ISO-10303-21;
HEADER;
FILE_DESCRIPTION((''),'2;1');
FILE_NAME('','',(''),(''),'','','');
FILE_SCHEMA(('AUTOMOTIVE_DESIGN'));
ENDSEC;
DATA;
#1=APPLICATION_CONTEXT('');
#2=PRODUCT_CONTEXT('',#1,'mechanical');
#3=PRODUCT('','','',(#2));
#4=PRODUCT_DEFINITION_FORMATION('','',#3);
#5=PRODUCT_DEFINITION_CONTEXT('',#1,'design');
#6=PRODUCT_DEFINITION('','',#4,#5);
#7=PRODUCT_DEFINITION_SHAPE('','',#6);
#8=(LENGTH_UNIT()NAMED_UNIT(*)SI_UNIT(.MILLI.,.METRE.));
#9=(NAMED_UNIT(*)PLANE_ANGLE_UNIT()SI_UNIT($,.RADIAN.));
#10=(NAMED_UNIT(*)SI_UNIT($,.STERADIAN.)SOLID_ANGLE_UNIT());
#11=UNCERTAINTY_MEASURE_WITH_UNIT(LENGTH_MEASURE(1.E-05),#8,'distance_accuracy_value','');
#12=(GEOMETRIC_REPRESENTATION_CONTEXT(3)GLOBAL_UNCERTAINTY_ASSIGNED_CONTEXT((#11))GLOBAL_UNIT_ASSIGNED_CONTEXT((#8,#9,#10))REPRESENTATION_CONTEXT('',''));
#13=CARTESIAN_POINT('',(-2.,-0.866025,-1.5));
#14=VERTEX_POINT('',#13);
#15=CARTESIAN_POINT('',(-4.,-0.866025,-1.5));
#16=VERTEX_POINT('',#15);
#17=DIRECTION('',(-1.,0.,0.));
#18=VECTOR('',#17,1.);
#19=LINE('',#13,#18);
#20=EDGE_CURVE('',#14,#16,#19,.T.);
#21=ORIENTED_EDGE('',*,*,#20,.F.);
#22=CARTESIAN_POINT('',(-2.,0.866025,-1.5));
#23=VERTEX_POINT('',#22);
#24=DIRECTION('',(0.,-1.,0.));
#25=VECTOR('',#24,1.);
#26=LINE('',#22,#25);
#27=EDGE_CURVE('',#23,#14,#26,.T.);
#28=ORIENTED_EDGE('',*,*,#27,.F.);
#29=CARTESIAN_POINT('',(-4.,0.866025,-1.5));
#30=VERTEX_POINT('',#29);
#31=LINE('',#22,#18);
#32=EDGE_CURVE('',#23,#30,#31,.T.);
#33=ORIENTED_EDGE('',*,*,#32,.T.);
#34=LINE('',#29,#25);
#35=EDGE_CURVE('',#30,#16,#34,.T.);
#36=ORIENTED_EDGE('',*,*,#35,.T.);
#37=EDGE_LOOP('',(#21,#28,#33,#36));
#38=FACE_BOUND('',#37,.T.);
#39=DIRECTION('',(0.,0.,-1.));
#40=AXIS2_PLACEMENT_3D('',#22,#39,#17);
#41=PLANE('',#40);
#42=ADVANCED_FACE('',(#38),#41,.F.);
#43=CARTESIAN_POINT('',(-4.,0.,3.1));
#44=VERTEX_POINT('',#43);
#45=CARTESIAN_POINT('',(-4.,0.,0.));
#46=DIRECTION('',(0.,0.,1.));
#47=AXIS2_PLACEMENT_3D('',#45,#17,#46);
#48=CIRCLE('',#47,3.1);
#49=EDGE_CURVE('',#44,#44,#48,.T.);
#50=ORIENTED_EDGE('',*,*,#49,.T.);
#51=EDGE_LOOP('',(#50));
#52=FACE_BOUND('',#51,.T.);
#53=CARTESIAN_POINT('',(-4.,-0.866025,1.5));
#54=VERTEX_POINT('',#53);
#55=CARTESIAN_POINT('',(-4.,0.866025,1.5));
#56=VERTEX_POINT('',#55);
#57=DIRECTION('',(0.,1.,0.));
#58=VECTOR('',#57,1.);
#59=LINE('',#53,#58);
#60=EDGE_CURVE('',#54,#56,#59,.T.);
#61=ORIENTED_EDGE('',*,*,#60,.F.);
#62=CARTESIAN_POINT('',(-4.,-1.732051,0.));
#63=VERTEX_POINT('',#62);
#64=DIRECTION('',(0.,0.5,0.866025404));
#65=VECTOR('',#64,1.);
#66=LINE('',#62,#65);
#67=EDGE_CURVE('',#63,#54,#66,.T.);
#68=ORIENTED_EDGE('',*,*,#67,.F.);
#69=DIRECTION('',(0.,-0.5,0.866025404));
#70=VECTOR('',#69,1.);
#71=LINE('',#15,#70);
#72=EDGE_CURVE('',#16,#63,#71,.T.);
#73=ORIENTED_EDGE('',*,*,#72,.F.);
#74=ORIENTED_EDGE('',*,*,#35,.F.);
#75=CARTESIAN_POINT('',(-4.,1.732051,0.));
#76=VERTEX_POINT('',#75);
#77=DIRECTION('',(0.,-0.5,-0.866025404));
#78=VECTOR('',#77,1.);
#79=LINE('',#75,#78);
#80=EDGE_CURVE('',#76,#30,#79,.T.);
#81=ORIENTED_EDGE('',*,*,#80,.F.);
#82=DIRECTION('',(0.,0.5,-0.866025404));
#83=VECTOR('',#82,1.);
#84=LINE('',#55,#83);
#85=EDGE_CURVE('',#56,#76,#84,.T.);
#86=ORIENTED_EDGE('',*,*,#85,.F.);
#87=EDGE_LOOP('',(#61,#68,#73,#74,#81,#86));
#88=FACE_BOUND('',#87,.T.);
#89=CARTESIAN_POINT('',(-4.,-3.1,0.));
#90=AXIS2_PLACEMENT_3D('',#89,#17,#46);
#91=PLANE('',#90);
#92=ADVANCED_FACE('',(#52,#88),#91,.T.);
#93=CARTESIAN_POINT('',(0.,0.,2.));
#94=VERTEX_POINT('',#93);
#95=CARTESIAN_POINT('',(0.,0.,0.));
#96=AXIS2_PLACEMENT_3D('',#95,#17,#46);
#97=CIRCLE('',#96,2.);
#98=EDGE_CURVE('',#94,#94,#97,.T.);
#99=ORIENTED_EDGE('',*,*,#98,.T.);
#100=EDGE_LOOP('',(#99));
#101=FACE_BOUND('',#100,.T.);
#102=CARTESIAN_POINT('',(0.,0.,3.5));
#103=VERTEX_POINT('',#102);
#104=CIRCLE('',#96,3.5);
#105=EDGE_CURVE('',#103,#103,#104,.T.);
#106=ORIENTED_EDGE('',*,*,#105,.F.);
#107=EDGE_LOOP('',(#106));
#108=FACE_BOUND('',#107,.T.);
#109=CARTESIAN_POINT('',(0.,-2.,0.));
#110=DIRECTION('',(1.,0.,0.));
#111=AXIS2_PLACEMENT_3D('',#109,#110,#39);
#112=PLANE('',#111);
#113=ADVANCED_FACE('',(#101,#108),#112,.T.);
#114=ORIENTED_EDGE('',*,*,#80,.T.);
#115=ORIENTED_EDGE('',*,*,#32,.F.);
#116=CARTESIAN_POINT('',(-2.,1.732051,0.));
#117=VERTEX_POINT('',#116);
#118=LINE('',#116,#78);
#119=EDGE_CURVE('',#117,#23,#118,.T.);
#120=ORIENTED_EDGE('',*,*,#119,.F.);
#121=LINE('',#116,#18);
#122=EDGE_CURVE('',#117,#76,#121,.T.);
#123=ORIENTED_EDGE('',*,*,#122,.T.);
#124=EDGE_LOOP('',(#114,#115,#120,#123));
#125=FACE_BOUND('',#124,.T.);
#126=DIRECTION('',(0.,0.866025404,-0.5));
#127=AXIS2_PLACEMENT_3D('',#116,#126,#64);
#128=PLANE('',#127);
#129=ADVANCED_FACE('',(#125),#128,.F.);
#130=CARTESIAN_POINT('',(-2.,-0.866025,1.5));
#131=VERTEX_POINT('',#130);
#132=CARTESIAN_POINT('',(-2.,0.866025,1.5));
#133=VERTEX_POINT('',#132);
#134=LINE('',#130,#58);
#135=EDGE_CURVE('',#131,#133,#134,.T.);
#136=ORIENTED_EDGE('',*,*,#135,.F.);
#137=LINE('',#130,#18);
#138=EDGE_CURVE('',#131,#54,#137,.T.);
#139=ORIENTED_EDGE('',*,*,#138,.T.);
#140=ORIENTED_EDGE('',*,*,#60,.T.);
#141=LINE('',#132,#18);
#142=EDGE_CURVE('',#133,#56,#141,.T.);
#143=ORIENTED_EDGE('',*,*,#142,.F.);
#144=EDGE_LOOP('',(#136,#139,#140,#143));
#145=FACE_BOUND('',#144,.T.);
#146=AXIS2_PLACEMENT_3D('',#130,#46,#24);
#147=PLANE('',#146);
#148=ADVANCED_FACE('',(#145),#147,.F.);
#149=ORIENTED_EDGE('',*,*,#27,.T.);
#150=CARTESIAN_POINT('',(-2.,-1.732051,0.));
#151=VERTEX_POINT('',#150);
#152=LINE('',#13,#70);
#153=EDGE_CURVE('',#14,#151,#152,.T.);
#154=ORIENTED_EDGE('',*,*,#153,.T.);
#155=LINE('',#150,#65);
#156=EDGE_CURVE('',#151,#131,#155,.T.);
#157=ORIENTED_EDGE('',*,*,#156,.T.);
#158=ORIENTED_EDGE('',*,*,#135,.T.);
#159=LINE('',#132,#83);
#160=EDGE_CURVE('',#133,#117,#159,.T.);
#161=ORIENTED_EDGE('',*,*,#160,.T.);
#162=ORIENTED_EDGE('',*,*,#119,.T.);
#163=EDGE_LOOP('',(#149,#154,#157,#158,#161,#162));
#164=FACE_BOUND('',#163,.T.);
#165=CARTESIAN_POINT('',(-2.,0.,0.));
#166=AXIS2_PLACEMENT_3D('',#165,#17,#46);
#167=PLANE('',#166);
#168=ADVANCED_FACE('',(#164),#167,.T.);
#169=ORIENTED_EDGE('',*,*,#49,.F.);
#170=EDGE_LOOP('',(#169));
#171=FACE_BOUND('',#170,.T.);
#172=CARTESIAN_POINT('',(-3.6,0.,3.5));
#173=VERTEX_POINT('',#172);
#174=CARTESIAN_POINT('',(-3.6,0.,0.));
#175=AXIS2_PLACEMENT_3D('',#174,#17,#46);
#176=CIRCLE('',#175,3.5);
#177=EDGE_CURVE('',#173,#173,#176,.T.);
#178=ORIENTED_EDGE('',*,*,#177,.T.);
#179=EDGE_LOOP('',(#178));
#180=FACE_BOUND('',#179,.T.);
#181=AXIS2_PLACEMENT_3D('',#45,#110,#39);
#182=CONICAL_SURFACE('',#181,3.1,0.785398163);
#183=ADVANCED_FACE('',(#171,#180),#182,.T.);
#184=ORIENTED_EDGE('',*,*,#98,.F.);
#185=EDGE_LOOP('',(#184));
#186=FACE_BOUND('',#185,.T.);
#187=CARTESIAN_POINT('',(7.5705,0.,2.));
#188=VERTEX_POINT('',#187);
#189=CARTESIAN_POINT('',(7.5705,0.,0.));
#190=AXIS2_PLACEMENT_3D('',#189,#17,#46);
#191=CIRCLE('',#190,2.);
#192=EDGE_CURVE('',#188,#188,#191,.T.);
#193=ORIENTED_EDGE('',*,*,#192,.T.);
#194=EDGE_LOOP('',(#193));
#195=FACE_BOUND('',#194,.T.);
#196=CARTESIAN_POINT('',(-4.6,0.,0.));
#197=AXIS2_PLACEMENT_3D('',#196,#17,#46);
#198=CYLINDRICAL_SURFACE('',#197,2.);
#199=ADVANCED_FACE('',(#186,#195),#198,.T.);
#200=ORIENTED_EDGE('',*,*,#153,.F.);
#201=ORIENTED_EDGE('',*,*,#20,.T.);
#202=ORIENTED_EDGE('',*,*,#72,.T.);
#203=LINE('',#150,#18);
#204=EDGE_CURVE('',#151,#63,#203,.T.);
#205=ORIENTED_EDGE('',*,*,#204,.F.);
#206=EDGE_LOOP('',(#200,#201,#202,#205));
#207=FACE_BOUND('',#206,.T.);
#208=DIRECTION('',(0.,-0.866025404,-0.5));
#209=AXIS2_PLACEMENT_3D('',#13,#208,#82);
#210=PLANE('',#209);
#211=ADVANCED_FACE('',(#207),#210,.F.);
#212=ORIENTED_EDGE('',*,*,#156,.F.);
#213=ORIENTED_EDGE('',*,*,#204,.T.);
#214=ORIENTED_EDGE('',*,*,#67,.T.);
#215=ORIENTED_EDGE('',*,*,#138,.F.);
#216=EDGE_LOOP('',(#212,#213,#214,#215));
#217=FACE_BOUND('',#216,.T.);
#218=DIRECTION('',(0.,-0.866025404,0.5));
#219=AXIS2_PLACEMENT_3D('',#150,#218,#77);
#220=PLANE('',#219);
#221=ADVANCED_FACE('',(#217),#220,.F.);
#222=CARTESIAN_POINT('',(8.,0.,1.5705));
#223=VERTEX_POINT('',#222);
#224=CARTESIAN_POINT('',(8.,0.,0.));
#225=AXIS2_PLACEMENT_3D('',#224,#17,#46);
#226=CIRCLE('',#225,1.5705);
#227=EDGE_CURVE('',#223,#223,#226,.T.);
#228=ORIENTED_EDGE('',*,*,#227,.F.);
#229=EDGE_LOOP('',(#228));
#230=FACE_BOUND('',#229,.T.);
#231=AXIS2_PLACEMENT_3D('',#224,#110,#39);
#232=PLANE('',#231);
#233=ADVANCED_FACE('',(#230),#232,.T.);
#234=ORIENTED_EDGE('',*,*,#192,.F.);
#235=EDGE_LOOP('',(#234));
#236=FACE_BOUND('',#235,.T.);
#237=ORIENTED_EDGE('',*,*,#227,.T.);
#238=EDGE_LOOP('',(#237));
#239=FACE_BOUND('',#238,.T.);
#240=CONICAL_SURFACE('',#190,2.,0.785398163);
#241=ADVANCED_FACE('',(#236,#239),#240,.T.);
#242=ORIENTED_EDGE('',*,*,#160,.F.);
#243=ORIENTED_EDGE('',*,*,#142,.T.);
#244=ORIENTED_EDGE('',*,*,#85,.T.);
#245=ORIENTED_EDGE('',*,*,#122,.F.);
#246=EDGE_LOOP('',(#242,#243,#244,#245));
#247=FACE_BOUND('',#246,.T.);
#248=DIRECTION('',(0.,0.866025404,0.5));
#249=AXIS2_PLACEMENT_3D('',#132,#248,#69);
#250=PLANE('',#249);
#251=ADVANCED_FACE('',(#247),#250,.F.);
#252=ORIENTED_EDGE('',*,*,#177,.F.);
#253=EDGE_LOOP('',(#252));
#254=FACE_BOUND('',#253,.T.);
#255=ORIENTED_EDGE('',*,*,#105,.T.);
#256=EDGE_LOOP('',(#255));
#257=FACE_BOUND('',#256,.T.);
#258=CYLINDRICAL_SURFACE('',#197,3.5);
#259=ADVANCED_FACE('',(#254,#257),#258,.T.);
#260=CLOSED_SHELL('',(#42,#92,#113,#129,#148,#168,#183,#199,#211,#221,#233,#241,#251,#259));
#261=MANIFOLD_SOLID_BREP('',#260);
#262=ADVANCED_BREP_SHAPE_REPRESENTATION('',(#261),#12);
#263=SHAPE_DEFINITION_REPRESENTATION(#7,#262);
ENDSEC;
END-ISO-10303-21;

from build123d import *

# Parameters (mm, degrees)
CUT_EXTRUDE1_DEPTH = 2


with BuildPart() as part:
    # Sketch1 → Revolve1 (revolve)
    with BuildSketch(Plane.XY):
        Polygon((-4, 0), (8, 0), (8, -1.5705), (7.5705, -2), (0, -2), (0, -3.5), (-3.6, -3.5), (-4, -3.1), align=None)
    revolve(axis=Axis((-4.6, 0, 0), (1, 0, 0)))

    # Sketch2 → Cut-Extrude1 (cut)
    with BuildSketch(Plane.ZY.offset(4)):
        Polygon((0, 1.732050808), (-1.5, 0.866025404), (-1.5, -0.866025404), (0, -1.732050808), (1.5, -0.866025404), (1.5, 0.866025404), align=None)
    extrude(amount=-CUT_EXTRUDE1_DEPTH, mode=Mode.SUBTRACT)


solid = part.part
